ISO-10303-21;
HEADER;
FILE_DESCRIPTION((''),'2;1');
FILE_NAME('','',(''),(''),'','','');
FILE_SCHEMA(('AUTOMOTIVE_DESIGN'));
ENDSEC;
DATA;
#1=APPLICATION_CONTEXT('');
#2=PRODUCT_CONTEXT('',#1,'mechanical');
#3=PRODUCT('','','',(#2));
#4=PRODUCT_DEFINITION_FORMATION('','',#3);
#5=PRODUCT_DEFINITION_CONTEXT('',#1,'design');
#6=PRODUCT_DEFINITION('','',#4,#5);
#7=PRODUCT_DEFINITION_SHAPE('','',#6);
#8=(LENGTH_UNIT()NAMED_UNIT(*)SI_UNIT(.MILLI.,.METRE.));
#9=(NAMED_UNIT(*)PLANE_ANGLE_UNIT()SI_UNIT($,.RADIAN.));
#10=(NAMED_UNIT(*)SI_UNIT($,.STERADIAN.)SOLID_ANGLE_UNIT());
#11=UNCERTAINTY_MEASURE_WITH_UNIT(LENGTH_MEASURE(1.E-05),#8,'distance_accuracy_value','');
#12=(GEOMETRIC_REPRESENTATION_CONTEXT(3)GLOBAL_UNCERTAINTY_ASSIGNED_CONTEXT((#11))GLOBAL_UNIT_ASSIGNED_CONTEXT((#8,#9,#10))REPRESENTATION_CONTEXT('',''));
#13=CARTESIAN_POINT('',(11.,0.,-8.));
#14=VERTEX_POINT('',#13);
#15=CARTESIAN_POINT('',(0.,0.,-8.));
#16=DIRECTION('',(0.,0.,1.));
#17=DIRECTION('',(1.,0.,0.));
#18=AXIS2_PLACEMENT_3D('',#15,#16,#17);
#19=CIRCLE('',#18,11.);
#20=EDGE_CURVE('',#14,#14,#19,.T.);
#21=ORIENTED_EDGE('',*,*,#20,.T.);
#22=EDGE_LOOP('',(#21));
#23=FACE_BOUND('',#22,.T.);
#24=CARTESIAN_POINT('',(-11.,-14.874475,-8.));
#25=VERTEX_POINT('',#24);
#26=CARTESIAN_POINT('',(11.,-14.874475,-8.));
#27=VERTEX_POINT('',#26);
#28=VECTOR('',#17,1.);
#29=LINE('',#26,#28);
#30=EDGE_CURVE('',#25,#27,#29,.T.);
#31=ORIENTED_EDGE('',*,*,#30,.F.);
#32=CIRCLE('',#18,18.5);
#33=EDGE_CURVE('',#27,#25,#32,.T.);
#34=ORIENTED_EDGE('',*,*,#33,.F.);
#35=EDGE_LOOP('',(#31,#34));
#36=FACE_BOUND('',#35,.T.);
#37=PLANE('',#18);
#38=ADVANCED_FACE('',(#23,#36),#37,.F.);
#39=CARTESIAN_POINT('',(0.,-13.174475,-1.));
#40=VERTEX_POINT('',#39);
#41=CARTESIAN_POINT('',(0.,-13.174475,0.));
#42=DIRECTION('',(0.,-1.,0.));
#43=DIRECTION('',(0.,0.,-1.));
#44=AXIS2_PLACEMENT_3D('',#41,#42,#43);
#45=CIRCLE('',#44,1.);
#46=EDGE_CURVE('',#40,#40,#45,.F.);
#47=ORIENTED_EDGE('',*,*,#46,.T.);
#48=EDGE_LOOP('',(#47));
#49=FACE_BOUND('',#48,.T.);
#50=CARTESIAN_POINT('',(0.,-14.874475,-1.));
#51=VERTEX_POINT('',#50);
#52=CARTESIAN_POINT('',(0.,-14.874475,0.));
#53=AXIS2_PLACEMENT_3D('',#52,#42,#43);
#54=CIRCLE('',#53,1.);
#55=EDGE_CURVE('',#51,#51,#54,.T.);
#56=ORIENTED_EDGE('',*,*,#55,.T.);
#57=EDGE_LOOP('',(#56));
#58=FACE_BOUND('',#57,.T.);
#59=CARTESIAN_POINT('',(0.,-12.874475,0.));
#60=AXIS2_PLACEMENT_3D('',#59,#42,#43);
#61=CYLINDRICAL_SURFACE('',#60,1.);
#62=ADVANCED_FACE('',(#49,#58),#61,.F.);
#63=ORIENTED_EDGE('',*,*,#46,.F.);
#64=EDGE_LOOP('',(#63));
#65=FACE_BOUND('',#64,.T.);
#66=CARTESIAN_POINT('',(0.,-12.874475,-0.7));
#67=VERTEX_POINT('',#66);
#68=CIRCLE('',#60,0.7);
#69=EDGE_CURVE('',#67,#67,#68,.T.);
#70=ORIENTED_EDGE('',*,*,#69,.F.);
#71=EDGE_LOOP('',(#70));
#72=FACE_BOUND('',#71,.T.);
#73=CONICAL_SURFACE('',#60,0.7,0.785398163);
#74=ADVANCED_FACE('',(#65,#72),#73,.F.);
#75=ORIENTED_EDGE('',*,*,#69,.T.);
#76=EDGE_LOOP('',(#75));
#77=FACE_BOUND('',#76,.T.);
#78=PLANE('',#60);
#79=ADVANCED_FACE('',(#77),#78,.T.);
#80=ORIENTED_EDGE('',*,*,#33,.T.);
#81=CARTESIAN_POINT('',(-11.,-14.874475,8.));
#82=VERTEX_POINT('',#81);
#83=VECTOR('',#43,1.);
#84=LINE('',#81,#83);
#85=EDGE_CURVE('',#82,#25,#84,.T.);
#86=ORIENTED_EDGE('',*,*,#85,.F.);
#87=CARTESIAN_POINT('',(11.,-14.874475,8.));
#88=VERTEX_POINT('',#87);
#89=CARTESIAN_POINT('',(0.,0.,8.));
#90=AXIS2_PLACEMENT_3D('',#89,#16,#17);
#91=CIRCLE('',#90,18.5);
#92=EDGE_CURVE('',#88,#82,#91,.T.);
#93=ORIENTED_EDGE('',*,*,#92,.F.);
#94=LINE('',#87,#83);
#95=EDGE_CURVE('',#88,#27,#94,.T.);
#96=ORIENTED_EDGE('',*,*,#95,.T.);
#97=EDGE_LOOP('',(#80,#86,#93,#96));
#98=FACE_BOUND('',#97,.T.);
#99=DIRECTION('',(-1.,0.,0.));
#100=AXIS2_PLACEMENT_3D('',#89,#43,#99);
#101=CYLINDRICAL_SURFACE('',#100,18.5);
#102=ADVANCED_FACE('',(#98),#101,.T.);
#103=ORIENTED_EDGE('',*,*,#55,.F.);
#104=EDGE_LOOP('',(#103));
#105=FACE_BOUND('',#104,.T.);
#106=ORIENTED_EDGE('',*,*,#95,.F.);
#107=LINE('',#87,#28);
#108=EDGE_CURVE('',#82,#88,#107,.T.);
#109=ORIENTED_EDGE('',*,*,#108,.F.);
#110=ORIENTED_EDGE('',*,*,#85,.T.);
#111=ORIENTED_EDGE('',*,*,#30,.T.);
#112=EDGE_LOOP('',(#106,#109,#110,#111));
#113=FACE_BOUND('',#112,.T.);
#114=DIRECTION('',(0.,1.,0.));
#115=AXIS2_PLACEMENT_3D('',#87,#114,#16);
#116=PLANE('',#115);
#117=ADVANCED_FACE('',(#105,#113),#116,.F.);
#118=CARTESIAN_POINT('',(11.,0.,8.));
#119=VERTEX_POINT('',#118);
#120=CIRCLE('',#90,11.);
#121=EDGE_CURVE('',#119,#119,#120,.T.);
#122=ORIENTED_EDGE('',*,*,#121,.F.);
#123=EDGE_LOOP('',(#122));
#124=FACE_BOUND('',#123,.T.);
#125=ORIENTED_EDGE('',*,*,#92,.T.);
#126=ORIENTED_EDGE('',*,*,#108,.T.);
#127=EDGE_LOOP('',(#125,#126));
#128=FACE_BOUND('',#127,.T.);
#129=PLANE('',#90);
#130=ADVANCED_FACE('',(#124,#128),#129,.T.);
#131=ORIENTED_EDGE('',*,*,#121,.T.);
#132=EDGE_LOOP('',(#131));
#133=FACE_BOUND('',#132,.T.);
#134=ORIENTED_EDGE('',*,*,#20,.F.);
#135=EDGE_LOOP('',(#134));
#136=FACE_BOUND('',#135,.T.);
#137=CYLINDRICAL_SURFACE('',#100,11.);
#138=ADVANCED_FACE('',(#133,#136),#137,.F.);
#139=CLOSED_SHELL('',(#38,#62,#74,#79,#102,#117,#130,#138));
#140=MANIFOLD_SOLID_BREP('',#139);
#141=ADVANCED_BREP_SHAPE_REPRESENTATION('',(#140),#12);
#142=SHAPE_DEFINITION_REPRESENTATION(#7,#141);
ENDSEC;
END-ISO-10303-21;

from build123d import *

# Parameters (mm, degrees)
SKETCH1_R           = 18.5
SKETCH1_R_2         = 11
BOSS_EXTRUDE1_DEPTH = 8
CUT_EXTRUDE1_DEPTH  = 16
SKETCH4_R           = 1
CUT_EXTRUDE2_DEPTH  = 2
CHAMFER1_SIZE       = 0.3


with BuildPart() as part:
    # Sketch1 → Boss-Extrude1 (new body, symmetric)
    with BuildSketch(Plane.XY):
        Circle(SKETCH1_R)
        Circle(SKETCH1_R_2, mode=Mode.SUBTRACT)
    extrude(amount=BOSS_EXTRUDE1_DEPTH, both=True)

    # Sketch3 → Cut-Extrude1 (cut)
    with BuildSketch(Plane(origin=(0, 0, -8), x_dir=(-1, 0, 0), z_dir=(0, 0, -1))):
        with BuildLine():
            Line((-11, -14.874474781), (11, -14.874474781))
            ThreePointArc((11, -14.874474781), (0, -18.5), (-11, -14.874474781))
        make_face()
    extrude(amount=-CUT_EXTRUDE1_DEPTH, mode=Mode.SUBTRACT)

    # Sketch4 → Cut-Extrude2 (cut)
    with BuildSketch(Plane.XZ.offset(14.874474781)):
        Circle(SKETCH4_R)
    extrude(amount=-CUT_EXTRUDE2_DEPTH, mode=Mode.SUBTRACT)

    # Chamfer1
    chamfer1_edges = [part.edges().sort_by_distance(p)[0] for p in [
        (-1, -12.874474781, 0),
    ]]
    chamfer(chamfer1_edges, length=CHAMFER1_SIZE)


solid = part.part
